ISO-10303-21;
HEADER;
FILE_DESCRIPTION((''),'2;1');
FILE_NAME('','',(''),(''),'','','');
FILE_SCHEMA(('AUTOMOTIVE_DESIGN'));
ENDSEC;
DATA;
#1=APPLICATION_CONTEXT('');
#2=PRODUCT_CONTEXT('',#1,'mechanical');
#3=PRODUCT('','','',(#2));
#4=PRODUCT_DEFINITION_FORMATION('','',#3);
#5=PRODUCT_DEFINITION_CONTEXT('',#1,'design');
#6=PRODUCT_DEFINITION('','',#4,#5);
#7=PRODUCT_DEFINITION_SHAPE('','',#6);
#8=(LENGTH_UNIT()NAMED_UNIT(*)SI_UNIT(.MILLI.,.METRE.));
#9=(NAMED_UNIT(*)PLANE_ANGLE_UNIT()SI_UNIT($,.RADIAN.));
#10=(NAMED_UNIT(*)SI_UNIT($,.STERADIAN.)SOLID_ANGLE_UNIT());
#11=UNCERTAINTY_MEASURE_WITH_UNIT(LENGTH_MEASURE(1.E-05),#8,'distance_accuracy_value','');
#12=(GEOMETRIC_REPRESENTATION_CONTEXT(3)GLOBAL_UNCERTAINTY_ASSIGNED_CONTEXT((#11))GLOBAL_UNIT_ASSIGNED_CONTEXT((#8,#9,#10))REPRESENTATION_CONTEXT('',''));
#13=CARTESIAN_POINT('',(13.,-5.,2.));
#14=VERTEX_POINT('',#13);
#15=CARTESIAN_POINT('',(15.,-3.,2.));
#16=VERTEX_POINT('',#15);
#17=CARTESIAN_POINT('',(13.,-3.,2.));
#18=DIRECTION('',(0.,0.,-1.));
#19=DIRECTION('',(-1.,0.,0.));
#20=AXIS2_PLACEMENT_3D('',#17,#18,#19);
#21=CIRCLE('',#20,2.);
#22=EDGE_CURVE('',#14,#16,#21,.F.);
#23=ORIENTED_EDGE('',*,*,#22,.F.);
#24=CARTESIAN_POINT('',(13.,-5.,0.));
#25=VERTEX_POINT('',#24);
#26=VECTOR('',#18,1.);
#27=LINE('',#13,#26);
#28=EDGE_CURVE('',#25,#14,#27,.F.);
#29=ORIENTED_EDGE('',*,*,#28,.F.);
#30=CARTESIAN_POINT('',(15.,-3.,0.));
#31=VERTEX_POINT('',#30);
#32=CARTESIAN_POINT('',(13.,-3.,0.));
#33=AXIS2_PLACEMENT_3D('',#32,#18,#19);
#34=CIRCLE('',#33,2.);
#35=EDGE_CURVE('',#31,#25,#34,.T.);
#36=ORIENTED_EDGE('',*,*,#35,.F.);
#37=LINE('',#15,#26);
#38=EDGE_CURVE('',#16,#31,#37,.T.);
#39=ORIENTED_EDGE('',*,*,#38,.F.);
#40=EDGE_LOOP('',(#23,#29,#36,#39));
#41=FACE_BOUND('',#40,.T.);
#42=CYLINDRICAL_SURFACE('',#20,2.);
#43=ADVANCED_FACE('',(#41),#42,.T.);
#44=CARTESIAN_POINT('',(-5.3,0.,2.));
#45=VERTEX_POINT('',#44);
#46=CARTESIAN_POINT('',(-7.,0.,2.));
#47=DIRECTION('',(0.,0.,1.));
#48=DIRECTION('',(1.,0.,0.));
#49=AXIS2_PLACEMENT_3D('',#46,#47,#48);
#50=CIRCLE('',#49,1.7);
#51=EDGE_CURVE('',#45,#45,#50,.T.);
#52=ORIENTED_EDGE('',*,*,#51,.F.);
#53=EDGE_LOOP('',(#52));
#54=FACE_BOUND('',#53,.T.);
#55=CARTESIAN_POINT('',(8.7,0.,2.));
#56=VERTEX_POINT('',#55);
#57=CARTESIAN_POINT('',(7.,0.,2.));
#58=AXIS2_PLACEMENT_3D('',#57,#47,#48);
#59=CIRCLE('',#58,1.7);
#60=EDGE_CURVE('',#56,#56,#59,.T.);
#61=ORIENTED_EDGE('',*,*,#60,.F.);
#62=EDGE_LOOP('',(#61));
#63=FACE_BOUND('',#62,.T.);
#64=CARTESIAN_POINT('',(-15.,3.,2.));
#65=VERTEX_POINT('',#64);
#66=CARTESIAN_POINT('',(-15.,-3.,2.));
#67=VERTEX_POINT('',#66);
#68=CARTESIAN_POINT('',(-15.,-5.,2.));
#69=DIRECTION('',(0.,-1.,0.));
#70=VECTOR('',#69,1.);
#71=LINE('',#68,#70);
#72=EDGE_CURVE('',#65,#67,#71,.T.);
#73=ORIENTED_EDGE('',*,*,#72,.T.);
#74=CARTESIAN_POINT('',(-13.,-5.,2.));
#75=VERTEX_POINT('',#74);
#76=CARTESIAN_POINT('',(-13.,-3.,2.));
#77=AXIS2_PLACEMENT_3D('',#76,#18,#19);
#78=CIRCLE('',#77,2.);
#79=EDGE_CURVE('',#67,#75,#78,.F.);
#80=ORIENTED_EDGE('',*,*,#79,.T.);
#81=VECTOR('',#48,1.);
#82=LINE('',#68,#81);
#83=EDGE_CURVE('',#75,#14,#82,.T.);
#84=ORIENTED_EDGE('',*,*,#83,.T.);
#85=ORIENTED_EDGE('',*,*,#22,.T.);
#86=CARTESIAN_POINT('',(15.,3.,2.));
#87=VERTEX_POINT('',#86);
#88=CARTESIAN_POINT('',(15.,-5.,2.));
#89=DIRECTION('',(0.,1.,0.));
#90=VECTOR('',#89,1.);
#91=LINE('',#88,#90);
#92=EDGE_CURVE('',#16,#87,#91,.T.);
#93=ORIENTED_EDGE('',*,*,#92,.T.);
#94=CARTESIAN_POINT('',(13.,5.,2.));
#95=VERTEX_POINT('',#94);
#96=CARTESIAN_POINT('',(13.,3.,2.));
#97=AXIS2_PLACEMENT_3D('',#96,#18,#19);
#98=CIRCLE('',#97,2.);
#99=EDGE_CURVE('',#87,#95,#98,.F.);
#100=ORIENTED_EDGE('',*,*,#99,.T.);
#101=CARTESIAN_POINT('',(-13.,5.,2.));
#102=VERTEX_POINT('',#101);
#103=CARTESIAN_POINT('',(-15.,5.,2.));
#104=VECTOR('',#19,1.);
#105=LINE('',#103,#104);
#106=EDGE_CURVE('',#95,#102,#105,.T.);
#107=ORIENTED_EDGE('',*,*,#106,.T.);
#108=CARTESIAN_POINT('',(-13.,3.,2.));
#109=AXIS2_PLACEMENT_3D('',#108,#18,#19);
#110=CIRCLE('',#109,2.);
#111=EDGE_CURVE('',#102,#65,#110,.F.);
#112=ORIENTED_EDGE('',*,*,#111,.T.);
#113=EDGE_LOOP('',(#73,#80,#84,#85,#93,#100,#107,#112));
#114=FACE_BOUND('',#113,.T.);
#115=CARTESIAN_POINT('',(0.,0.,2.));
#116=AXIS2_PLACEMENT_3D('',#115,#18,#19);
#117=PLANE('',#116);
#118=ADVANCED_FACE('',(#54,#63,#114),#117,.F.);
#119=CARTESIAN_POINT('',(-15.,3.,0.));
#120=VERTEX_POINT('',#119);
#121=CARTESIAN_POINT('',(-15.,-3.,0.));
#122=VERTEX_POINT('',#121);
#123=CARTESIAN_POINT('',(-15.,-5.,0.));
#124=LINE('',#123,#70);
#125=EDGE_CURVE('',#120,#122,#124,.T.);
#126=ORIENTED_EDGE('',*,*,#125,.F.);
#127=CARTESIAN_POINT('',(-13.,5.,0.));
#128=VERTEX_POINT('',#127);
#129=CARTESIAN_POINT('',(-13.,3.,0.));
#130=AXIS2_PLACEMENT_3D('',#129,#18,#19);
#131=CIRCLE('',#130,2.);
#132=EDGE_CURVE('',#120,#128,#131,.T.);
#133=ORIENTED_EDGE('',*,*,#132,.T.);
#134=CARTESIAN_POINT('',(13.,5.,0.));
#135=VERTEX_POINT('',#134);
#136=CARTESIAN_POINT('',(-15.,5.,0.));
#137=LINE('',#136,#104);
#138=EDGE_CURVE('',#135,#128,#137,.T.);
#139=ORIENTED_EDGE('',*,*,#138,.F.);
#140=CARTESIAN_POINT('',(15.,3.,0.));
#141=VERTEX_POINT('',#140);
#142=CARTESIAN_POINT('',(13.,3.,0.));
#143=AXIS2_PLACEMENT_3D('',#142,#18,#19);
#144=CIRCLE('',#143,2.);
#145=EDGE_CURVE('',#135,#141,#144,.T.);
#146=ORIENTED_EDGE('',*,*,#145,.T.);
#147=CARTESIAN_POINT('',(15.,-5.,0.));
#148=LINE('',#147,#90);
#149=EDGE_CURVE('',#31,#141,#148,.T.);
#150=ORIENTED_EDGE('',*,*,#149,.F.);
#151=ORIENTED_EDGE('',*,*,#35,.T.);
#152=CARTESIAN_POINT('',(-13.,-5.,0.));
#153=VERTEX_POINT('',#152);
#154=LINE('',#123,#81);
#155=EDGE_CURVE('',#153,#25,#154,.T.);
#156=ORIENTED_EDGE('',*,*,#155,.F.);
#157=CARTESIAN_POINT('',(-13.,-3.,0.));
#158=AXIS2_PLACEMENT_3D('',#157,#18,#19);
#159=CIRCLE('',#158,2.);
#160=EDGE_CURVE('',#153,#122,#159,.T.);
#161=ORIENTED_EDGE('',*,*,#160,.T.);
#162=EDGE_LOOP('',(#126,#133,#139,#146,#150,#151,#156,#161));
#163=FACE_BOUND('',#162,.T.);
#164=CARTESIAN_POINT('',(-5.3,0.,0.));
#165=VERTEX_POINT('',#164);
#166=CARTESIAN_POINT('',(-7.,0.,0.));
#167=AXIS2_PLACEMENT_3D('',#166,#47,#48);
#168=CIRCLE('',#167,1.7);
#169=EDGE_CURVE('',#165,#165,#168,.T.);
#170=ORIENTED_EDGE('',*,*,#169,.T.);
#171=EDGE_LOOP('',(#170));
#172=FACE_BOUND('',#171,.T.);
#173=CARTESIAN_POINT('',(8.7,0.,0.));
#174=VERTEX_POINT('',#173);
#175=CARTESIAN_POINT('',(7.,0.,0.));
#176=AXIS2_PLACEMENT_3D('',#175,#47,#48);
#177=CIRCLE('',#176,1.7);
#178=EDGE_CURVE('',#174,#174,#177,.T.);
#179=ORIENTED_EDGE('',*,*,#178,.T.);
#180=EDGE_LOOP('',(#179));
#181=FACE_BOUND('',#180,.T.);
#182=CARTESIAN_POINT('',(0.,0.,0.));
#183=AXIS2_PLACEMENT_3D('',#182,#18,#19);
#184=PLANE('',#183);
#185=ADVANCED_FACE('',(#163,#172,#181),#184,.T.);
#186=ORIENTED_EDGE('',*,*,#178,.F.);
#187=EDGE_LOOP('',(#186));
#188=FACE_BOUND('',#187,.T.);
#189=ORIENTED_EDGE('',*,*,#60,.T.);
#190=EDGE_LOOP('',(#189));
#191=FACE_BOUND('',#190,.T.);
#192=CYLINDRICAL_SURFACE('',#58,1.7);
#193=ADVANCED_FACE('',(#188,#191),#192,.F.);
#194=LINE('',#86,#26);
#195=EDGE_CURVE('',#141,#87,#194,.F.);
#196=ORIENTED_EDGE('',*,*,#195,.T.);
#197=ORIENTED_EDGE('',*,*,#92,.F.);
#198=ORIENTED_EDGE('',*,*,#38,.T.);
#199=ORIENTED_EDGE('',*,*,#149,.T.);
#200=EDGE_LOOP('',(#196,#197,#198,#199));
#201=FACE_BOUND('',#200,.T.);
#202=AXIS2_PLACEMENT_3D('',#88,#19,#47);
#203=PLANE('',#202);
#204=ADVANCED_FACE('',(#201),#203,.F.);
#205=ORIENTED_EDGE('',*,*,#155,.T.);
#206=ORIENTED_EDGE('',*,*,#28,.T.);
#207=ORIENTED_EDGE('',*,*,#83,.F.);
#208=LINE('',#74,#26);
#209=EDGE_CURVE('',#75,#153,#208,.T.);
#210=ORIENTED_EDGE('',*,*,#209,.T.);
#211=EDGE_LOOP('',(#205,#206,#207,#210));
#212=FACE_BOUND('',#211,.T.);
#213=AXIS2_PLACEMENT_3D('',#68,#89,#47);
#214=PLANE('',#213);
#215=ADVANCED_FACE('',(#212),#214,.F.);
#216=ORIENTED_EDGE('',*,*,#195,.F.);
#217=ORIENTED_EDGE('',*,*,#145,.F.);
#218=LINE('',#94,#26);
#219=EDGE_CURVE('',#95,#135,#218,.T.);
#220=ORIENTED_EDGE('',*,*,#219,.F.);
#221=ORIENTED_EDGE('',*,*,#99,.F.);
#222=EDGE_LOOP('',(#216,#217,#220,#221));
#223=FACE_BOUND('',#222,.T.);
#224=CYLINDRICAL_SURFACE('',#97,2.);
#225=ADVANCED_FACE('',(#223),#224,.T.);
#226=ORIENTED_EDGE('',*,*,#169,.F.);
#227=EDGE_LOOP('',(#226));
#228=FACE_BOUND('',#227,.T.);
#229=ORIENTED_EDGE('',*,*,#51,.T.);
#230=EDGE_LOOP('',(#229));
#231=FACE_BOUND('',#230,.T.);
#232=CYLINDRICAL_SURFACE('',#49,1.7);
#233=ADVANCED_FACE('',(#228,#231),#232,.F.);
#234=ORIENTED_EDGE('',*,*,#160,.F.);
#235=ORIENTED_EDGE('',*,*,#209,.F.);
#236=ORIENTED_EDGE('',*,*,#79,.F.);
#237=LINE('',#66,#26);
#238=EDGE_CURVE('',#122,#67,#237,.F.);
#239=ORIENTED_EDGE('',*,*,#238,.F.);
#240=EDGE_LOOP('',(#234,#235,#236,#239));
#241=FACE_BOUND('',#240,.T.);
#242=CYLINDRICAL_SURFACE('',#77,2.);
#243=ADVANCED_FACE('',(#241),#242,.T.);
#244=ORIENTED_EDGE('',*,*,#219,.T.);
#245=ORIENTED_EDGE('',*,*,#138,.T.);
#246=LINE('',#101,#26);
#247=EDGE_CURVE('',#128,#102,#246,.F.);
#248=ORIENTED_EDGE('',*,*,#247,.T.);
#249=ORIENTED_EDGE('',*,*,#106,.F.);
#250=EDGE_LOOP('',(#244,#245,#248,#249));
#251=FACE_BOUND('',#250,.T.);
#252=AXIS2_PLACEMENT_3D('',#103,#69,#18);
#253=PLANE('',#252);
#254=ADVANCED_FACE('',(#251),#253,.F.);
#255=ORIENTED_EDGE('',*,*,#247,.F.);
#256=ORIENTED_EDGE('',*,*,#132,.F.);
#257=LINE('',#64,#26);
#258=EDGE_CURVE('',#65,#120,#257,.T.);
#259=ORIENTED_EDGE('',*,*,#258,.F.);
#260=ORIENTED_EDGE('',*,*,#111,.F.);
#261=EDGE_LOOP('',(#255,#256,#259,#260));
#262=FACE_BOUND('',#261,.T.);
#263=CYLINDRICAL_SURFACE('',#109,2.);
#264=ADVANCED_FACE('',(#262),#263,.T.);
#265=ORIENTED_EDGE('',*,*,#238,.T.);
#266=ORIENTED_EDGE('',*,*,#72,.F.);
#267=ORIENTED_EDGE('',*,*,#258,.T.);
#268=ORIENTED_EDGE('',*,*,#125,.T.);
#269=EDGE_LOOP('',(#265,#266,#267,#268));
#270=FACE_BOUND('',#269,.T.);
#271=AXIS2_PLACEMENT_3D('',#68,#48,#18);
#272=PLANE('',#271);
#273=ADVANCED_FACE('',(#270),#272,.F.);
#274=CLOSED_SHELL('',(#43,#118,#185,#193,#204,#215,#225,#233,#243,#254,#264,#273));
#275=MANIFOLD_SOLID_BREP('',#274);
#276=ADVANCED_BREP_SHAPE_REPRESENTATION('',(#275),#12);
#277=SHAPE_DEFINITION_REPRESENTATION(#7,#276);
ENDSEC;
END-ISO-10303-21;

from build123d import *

# Parameters (mm, degrees)
SKETCH1_W            = 30
SKETCH1_H            = 10
BOSS_EXTRUDE1_DEPTH  = 2
M3_CLEARANCE_HOLE1_D = 3.4
FILLET1_R            = 2


with BuildPart() as part:
    # Sketch1 → Boss-Extrude1 (new body)
    with BuildSketch(Plane.XY):
        Rectangle(SKETCH1_W, SKETCH1_H)
    extrude(amount=BOSS_EXTRUDE1_DEPTH)

    # M3 Clearance Hole1 (through all)
    with Locations(Plane.XY.offset(2)):
        with Locations((-7, 0), (7, 0)):
            Hole(M3_CLEARANCE_HOLE1_D / 2)

    # Fillet1
    fillet1_edges = [part.edges().sort_by_distance(p)[0] for p in [
        (15, -5, 1),
        (-15, -5, 1),
        (-15, 5, 1),
        (15, 5, 1),
    ]]
    fillet(fillet1_edges, radius=FILLET1_R)


solid = part.part
